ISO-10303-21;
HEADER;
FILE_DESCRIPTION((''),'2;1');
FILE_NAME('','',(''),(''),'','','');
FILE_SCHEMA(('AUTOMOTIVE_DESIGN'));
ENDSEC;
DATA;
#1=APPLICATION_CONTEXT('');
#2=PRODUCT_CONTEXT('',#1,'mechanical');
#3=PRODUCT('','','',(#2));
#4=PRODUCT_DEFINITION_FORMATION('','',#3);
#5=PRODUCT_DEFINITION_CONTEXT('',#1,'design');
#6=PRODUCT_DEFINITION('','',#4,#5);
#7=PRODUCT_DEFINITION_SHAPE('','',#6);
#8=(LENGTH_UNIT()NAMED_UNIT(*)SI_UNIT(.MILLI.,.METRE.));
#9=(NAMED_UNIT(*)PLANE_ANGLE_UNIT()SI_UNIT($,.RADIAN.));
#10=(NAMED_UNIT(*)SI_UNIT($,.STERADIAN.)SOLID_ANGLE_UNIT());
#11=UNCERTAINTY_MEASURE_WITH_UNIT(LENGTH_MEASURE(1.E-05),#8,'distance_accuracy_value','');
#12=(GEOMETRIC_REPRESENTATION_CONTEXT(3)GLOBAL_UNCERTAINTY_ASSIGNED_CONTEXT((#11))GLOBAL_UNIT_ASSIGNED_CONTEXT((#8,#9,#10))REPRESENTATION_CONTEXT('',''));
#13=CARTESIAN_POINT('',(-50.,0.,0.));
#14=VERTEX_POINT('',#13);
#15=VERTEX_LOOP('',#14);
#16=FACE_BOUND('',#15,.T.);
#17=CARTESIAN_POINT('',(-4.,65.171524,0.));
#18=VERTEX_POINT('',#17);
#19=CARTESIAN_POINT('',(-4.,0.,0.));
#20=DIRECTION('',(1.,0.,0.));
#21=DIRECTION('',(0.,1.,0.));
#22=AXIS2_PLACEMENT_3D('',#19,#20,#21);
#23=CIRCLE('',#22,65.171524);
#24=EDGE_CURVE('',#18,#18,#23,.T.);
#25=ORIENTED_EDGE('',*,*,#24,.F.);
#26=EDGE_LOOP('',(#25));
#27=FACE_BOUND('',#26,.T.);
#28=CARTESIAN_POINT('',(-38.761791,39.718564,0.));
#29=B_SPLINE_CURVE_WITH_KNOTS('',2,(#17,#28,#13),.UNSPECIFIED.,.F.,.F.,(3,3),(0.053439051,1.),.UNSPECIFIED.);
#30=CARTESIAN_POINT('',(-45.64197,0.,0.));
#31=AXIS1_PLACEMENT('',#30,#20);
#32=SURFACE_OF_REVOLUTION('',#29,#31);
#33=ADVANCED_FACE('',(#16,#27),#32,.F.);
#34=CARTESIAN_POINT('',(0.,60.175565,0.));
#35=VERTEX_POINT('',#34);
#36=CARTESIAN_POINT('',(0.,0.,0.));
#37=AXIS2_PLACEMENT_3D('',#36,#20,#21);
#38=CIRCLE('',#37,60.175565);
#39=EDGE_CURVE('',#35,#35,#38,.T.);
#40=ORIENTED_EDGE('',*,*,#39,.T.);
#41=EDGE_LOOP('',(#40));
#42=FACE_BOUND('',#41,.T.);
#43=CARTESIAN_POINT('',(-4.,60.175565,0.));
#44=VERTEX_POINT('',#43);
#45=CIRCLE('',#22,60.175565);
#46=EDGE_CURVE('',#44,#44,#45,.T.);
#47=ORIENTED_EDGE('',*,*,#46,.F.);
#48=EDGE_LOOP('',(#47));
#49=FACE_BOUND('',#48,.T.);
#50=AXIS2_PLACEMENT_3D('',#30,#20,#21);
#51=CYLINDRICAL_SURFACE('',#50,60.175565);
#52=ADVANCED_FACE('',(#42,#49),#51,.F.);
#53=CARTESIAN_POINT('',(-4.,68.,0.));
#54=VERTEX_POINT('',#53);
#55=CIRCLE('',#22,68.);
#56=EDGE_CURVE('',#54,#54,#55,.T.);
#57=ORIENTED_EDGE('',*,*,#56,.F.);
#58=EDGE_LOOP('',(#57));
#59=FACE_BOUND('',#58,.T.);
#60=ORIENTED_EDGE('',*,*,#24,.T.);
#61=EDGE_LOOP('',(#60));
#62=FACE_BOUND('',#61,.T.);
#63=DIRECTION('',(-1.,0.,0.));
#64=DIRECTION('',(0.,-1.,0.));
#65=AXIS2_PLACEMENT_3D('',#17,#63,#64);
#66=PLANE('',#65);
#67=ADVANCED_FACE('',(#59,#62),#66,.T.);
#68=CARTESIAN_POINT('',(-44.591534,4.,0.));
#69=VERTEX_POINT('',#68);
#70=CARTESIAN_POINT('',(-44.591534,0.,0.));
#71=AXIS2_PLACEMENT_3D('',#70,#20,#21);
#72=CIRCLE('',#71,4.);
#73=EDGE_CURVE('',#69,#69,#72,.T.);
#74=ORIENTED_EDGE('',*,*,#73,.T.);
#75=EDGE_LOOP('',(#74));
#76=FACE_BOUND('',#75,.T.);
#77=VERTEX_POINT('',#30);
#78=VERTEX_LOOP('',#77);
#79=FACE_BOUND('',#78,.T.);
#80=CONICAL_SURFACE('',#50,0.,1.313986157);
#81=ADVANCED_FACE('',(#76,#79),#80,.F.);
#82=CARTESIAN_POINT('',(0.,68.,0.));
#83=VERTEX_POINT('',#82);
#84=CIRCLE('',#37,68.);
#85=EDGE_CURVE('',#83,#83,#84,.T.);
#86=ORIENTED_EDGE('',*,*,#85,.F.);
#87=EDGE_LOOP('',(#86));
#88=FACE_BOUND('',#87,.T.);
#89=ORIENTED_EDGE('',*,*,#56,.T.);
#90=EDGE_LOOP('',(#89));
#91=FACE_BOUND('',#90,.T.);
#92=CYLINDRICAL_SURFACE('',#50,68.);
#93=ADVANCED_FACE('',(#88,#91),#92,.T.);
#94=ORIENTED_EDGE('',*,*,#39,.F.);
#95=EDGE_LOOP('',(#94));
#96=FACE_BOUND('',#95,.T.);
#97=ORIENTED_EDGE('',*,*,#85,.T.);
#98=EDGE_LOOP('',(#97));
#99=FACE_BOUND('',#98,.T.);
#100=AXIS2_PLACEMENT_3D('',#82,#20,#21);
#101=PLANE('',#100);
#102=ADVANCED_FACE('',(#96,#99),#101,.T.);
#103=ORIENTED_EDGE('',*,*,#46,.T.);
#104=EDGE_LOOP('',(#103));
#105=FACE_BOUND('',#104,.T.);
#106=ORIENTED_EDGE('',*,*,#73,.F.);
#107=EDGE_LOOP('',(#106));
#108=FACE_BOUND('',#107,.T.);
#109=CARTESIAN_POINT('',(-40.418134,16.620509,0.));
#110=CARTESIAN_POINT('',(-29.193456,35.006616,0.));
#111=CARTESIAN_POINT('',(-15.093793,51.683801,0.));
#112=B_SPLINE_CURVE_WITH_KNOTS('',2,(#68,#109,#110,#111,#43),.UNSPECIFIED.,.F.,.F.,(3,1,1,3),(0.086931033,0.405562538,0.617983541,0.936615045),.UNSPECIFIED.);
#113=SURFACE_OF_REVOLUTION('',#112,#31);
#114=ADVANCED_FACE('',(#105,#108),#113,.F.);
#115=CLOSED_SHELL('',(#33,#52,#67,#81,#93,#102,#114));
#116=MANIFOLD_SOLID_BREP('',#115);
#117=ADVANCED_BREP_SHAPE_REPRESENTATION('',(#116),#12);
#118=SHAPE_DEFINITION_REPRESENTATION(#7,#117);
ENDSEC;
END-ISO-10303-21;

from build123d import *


with BuildPart() as part:
    # Esquisse1 → Révolution4 (revolve)
    with BuildSketch(Plane.XY):
        with BuildLine():
            Line((-45.641969606, 0), (-50, 0))
            add(Edge.make_bspline(
                [(-3.999999997, 65.171523585), (-38.761790775, 39.718563846), (-50, 0)],
                knots=[0.053439051, 0.053439051, 0.053439051, 1, 1, 1], degree=2))
            Line((-3.999999997, 65.171523585), (-3.999999997, 68))
            Line((-3.999999997, 68), (3e-09, 68))
            Line((3e-09, 68), (3e-09, 60.17556509))
            Line((3e-09, 60.17556509), (-3.999999997, 60.17556509))
            add(Edge.make_bspline(
                [(-3.999999997, 60.17556509), (-15.093792802, 51.683800687), (-29.193456354, 35.006616283), (-40.418134085, 16.6205085), (-44.591534168, 4)],
                knots=[0.086931033, 0.086931033, 0.086931033, 0.405562538, 0.617983541, 0.936615045, 0.936615045, 0.936615045], degree=2))
            Line((-44.591534168, 4), (-45.641969606, 0))
        make_face()
    revolve(axis=Axis((-45.641969606, 0, 0), (-1, 0, 0)))


solid = part.part
